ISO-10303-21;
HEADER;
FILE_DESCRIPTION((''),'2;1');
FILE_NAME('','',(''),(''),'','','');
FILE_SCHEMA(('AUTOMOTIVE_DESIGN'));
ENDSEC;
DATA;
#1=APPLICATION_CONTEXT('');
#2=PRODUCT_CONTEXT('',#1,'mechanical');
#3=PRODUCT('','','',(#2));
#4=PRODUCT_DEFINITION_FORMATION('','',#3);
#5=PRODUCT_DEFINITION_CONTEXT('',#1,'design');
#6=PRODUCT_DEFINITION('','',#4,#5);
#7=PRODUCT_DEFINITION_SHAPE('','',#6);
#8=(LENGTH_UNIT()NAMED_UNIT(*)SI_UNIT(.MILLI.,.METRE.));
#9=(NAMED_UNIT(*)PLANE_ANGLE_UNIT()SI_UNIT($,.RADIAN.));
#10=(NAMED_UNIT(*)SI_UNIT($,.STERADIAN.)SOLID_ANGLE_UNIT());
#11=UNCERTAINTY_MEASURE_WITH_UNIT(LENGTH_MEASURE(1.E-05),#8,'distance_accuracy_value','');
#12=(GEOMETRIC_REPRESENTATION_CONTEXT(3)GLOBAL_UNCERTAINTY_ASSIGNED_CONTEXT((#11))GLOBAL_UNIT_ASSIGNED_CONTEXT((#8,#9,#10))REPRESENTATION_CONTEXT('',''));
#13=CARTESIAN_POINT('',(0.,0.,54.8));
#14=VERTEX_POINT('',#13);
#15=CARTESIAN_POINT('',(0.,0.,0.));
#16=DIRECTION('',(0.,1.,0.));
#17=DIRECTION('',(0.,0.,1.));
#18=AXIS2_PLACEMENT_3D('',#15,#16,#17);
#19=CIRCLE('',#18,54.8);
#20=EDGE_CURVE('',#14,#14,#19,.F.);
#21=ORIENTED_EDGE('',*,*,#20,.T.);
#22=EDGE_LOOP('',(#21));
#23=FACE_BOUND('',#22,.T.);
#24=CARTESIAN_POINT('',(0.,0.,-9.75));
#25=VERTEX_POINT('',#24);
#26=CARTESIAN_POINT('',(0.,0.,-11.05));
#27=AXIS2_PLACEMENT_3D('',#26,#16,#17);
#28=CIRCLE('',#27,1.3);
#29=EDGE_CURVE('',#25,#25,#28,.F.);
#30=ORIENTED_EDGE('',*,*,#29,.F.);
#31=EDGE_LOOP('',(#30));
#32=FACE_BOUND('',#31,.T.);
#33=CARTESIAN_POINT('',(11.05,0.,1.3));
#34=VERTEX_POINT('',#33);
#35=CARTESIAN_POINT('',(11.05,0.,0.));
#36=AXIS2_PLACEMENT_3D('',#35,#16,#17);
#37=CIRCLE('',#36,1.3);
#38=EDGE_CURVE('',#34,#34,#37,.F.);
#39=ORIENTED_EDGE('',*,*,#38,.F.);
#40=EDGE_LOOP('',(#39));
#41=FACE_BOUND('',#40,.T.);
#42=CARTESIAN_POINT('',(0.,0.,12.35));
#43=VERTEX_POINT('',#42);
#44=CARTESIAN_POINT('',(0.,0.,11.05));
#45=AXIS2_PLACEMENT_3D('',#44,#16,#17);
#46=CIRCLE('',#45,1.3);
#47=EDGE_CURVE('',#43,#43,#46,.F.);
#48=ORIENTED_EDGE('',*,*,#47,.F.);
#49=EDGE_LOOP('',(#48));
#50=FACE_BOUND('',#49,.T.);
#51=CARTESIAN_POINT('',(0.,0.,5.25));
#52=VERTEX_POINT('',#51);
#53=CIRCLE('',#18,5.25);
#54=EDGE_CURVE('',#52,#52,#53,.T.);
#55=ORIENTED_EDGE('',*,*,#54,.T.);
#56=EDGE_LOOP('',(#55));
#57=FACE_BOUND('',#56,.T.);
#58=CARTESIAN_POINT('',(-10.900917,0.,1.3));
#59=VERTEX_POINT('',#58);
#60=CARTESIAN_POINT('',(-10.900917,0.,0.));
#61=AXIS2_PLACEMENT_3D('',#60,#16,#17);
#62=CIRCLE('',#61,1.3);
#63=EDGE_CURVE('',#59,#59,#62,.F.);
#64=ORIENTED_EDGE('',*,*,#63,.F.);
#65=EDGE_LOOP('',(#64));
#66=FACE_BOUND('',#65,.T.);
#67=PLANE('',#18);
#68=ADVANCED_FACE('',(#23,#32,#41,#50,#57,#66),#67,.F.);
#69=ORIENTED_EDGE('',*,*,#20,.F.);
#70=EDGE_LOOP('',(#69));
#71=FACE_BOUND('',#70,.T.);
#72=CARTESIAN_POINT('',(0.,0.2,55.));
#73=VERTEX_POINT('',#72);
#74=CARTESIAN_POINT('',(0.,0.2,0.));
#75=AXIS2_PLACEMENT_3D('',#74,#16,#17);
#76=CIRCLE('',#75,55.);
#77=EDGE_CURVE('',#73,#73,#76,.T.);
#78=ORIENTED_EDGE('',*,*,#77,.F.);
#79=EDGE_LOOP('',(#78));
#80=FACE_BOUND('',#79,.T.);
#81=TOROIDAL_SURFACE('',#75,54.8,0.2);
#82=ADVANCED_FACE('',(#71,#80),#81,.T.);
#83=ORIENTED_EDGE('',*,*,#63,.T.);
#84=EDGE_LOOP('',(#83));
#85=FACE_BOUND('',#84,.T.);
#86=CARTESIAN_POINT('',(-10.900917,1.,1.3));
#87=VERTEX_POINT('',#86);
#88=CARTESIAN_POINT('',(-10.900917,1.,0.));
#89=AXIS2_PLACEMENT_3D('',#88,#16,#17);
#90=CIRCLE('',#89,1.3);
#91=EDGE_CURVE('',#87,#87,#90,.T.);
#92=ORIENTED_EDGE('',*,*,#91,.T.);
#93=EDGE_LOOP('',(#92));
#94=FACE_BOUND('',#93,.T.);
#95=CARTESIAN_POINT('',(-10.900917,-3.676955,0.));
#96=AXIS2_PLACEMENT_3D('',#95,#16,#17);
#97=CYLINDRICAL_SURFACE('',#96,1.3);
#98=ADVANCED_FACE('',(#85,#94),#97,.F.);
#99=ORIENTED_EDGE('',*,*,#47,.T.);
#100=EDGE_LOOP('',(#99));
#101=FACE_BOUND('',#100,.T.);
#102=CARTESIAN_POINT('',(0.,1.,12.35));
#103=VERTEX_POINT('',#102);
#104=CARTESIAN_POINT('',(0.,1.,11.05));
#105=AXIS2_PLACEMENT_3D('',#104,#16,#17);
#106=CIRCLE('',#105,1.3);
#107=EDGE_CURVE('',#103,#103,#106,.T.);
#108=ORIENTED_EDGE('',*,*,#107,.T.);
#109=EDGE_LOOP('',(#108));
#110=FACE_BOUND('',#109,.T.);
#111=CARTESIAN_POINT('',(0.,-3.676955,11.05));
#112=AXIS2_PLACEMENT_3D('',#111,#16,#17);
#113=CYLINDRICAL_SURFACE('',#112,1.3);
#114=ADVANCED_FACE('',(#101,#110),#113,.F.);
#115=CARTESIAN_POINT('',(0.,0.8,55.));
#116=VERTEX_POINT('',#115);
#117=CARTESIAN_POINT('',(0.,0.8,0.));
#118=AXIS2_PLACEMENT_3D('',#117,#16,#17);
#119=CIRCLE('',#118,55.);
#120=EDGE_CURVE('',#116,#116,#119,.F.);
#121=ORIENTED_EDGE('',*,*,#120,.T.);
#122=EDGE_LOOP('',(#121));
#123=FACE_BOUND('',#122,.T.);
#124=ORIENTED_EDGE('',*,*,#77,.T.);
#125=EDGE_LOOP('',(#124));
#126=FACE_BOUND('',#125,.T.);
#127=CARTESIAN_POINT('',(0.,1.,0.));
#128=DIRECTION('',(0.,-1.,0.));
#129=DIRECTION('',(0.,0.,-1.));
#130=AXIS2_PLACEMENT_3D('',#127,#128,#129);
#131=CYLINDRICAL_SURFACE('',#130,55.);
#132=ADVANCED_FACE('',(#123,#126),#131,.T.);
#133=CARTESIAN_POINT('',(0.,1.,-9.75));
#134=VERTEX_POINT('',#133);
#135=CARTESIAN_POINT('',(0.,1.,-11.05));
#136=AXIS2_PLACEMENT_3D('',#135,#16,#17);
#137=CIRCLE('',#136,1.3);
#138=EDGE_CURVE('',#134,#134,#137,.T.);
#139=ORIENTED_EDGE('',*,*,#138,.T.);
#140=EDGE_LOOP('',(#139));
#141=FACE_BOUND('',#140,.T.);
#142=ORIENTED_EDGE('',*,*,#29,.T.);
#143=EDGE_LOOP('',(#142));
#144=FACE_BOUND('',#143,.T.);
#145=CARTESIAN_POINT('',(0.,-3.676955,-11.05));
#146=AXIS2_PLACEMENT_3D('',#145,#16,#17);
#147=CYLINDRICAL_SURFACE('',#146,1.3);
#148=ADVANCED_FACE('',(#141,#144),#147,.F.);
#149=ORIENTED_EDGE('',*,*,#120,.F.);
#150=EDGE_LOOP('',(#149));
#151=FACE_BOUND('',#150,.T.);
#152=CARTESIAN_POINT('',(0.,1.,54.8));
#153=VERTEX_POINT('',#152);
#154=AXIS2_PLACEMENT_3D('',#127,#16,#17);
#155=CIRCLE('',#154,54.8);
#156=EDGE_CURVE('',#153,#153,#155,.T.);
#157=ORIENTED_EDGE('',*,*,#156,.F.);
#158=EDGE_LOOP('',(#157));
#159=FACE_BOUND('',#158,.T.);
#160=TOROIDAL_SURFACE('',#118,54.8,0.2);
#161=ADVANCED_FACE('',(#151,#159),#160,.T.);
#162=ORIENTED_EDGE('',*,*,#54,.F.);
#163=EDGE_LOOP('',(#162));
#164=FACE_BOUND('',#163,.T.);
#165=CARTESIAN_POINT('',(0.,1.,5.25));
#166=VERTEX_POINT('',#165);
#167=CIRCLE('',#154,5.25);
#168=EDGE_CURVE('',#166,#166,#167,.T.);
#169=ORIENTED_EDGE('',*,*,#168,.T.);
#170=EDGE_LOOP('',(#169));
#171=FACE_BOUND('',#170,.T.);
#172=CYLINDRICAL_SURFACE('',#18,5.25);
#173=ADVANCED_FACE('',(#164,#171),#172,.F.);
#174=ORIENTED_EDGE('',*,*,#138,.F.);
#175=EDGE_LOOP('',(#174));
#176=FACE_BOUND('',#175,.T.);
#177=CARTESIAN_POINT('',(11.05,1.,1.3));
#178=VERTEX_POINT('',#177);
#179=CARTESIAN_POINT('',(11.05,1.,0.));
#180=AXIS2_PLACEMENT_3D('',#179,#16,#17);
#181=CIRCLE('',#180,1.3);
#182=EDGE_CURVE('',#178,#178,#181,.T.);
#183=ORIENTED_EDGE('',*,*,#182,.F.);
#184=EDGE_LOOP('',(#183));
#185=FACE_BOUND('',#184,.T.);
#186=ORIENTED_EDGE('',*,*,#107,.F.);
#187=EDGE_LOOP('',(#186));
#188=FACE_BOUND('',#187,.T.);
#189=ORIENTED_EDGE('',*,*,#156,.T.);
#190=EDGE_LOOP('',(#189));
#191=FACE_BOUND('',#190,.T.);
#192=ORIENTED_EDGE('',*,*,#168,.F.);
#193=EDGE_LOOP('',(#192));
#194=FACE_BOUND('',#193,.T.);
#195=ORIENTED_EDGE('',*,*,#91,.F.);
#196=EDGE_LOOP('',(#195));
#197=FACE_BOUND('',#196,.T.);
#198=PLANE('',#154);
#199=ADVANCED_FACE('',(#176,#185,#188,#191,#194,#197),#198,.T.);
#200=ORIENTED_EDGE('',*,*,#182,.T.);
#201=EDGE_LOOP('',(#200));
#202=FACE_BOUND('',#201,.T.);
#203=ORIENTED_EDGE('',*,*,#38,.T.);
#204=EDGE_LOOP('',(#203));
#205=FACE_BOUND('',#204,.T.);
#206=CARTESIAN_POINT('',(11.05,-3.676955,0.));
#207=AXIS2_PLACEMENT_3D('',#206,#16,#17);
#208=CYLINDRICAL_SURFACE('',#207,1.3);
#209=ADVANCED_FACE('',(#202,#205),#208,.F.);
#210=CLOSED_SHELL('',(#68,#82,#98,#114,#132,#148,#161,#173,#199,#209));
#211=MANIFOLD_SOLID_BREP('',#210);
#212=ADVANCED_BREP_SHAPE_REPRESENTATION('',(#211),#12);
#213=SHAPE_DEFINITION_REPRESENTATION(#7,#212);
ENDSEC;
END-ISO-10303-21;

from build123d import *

# Parameters (mm, degrees)
SKETCH1_R           = 55
BOSS_EXTRUDE1_DEPTH = 1
FILLET2_R           = 0.2
SKETCH4_R           = 5.25
CUT_EXTRUDE2_DEPTH  = 78.78817405
SKETCH5_R           = 1.3
CUT_EXTRUDE3_DEPTH  = 1


with BuildPart() as part:
    # Sketch1 → Boss-Extrude1 (new body)
    with BuildSketch(Plane(origin=(0, 0, 0), x_dir=(1, 0, 0), z_dir=(0, 1, 0))):
        with Locations(Location((0, 0, 0), (0, 0, 270))):
            Circle(SKETCH1_R)
    extrude(amount=BOSS_EXTRUDE1_DEPTH)

    # Fillet2
    fillet2_edges = [part.edges().sort_by_distance(p)[0] for p in [
        (0, 0, -55),
        (0, 1, -55),
    ]]
    fillet(fillet2_edges, radius=FILLET2_R)

    # Sketch4 → Cut-Extrude2 (cut, through all)
    with BuildSketch(Plane(origin=(0, 1, 0), x_dir=(1, 0, 0), z_dir=(0, 1, 0))):
        with Locations(Location((0, 0, 0), (0, 0, 270))):
            Circle(SKETCH4_R)
    extrude(amount=-CUT_EXTRUDE2_DEPTH, mode=Mode.SUBTRACT)

    # Sketch5 → Cut-Extrude3 (cut)
    with BuildSketch(Plane(origin=(0, 1, 0), x_dir=(1, 0, 0), z_dir=(0, 1, 0))):
        with Locations(Location((-10.900916731, 0, 0), (0, 0, 270))):
            Circle(SKETCH5_R)
        with Locations(Location((0, 11.05, 0), (0, 0, 270))):
            Circle(SKETCH5_R)
        with Locations(Location((11.05, 0, 0), (0, 0, 270))):
            Circle(SKETCH5_R)
        with Locations(Location((0, -11.05, 0), (0, 0, 270))):
            Circle(SKETCH5_R)
    extrude(amount=-CUT_EXTRUDE3_DEPTH, mode=Mode.SUBTRACT)


solid = part.part
